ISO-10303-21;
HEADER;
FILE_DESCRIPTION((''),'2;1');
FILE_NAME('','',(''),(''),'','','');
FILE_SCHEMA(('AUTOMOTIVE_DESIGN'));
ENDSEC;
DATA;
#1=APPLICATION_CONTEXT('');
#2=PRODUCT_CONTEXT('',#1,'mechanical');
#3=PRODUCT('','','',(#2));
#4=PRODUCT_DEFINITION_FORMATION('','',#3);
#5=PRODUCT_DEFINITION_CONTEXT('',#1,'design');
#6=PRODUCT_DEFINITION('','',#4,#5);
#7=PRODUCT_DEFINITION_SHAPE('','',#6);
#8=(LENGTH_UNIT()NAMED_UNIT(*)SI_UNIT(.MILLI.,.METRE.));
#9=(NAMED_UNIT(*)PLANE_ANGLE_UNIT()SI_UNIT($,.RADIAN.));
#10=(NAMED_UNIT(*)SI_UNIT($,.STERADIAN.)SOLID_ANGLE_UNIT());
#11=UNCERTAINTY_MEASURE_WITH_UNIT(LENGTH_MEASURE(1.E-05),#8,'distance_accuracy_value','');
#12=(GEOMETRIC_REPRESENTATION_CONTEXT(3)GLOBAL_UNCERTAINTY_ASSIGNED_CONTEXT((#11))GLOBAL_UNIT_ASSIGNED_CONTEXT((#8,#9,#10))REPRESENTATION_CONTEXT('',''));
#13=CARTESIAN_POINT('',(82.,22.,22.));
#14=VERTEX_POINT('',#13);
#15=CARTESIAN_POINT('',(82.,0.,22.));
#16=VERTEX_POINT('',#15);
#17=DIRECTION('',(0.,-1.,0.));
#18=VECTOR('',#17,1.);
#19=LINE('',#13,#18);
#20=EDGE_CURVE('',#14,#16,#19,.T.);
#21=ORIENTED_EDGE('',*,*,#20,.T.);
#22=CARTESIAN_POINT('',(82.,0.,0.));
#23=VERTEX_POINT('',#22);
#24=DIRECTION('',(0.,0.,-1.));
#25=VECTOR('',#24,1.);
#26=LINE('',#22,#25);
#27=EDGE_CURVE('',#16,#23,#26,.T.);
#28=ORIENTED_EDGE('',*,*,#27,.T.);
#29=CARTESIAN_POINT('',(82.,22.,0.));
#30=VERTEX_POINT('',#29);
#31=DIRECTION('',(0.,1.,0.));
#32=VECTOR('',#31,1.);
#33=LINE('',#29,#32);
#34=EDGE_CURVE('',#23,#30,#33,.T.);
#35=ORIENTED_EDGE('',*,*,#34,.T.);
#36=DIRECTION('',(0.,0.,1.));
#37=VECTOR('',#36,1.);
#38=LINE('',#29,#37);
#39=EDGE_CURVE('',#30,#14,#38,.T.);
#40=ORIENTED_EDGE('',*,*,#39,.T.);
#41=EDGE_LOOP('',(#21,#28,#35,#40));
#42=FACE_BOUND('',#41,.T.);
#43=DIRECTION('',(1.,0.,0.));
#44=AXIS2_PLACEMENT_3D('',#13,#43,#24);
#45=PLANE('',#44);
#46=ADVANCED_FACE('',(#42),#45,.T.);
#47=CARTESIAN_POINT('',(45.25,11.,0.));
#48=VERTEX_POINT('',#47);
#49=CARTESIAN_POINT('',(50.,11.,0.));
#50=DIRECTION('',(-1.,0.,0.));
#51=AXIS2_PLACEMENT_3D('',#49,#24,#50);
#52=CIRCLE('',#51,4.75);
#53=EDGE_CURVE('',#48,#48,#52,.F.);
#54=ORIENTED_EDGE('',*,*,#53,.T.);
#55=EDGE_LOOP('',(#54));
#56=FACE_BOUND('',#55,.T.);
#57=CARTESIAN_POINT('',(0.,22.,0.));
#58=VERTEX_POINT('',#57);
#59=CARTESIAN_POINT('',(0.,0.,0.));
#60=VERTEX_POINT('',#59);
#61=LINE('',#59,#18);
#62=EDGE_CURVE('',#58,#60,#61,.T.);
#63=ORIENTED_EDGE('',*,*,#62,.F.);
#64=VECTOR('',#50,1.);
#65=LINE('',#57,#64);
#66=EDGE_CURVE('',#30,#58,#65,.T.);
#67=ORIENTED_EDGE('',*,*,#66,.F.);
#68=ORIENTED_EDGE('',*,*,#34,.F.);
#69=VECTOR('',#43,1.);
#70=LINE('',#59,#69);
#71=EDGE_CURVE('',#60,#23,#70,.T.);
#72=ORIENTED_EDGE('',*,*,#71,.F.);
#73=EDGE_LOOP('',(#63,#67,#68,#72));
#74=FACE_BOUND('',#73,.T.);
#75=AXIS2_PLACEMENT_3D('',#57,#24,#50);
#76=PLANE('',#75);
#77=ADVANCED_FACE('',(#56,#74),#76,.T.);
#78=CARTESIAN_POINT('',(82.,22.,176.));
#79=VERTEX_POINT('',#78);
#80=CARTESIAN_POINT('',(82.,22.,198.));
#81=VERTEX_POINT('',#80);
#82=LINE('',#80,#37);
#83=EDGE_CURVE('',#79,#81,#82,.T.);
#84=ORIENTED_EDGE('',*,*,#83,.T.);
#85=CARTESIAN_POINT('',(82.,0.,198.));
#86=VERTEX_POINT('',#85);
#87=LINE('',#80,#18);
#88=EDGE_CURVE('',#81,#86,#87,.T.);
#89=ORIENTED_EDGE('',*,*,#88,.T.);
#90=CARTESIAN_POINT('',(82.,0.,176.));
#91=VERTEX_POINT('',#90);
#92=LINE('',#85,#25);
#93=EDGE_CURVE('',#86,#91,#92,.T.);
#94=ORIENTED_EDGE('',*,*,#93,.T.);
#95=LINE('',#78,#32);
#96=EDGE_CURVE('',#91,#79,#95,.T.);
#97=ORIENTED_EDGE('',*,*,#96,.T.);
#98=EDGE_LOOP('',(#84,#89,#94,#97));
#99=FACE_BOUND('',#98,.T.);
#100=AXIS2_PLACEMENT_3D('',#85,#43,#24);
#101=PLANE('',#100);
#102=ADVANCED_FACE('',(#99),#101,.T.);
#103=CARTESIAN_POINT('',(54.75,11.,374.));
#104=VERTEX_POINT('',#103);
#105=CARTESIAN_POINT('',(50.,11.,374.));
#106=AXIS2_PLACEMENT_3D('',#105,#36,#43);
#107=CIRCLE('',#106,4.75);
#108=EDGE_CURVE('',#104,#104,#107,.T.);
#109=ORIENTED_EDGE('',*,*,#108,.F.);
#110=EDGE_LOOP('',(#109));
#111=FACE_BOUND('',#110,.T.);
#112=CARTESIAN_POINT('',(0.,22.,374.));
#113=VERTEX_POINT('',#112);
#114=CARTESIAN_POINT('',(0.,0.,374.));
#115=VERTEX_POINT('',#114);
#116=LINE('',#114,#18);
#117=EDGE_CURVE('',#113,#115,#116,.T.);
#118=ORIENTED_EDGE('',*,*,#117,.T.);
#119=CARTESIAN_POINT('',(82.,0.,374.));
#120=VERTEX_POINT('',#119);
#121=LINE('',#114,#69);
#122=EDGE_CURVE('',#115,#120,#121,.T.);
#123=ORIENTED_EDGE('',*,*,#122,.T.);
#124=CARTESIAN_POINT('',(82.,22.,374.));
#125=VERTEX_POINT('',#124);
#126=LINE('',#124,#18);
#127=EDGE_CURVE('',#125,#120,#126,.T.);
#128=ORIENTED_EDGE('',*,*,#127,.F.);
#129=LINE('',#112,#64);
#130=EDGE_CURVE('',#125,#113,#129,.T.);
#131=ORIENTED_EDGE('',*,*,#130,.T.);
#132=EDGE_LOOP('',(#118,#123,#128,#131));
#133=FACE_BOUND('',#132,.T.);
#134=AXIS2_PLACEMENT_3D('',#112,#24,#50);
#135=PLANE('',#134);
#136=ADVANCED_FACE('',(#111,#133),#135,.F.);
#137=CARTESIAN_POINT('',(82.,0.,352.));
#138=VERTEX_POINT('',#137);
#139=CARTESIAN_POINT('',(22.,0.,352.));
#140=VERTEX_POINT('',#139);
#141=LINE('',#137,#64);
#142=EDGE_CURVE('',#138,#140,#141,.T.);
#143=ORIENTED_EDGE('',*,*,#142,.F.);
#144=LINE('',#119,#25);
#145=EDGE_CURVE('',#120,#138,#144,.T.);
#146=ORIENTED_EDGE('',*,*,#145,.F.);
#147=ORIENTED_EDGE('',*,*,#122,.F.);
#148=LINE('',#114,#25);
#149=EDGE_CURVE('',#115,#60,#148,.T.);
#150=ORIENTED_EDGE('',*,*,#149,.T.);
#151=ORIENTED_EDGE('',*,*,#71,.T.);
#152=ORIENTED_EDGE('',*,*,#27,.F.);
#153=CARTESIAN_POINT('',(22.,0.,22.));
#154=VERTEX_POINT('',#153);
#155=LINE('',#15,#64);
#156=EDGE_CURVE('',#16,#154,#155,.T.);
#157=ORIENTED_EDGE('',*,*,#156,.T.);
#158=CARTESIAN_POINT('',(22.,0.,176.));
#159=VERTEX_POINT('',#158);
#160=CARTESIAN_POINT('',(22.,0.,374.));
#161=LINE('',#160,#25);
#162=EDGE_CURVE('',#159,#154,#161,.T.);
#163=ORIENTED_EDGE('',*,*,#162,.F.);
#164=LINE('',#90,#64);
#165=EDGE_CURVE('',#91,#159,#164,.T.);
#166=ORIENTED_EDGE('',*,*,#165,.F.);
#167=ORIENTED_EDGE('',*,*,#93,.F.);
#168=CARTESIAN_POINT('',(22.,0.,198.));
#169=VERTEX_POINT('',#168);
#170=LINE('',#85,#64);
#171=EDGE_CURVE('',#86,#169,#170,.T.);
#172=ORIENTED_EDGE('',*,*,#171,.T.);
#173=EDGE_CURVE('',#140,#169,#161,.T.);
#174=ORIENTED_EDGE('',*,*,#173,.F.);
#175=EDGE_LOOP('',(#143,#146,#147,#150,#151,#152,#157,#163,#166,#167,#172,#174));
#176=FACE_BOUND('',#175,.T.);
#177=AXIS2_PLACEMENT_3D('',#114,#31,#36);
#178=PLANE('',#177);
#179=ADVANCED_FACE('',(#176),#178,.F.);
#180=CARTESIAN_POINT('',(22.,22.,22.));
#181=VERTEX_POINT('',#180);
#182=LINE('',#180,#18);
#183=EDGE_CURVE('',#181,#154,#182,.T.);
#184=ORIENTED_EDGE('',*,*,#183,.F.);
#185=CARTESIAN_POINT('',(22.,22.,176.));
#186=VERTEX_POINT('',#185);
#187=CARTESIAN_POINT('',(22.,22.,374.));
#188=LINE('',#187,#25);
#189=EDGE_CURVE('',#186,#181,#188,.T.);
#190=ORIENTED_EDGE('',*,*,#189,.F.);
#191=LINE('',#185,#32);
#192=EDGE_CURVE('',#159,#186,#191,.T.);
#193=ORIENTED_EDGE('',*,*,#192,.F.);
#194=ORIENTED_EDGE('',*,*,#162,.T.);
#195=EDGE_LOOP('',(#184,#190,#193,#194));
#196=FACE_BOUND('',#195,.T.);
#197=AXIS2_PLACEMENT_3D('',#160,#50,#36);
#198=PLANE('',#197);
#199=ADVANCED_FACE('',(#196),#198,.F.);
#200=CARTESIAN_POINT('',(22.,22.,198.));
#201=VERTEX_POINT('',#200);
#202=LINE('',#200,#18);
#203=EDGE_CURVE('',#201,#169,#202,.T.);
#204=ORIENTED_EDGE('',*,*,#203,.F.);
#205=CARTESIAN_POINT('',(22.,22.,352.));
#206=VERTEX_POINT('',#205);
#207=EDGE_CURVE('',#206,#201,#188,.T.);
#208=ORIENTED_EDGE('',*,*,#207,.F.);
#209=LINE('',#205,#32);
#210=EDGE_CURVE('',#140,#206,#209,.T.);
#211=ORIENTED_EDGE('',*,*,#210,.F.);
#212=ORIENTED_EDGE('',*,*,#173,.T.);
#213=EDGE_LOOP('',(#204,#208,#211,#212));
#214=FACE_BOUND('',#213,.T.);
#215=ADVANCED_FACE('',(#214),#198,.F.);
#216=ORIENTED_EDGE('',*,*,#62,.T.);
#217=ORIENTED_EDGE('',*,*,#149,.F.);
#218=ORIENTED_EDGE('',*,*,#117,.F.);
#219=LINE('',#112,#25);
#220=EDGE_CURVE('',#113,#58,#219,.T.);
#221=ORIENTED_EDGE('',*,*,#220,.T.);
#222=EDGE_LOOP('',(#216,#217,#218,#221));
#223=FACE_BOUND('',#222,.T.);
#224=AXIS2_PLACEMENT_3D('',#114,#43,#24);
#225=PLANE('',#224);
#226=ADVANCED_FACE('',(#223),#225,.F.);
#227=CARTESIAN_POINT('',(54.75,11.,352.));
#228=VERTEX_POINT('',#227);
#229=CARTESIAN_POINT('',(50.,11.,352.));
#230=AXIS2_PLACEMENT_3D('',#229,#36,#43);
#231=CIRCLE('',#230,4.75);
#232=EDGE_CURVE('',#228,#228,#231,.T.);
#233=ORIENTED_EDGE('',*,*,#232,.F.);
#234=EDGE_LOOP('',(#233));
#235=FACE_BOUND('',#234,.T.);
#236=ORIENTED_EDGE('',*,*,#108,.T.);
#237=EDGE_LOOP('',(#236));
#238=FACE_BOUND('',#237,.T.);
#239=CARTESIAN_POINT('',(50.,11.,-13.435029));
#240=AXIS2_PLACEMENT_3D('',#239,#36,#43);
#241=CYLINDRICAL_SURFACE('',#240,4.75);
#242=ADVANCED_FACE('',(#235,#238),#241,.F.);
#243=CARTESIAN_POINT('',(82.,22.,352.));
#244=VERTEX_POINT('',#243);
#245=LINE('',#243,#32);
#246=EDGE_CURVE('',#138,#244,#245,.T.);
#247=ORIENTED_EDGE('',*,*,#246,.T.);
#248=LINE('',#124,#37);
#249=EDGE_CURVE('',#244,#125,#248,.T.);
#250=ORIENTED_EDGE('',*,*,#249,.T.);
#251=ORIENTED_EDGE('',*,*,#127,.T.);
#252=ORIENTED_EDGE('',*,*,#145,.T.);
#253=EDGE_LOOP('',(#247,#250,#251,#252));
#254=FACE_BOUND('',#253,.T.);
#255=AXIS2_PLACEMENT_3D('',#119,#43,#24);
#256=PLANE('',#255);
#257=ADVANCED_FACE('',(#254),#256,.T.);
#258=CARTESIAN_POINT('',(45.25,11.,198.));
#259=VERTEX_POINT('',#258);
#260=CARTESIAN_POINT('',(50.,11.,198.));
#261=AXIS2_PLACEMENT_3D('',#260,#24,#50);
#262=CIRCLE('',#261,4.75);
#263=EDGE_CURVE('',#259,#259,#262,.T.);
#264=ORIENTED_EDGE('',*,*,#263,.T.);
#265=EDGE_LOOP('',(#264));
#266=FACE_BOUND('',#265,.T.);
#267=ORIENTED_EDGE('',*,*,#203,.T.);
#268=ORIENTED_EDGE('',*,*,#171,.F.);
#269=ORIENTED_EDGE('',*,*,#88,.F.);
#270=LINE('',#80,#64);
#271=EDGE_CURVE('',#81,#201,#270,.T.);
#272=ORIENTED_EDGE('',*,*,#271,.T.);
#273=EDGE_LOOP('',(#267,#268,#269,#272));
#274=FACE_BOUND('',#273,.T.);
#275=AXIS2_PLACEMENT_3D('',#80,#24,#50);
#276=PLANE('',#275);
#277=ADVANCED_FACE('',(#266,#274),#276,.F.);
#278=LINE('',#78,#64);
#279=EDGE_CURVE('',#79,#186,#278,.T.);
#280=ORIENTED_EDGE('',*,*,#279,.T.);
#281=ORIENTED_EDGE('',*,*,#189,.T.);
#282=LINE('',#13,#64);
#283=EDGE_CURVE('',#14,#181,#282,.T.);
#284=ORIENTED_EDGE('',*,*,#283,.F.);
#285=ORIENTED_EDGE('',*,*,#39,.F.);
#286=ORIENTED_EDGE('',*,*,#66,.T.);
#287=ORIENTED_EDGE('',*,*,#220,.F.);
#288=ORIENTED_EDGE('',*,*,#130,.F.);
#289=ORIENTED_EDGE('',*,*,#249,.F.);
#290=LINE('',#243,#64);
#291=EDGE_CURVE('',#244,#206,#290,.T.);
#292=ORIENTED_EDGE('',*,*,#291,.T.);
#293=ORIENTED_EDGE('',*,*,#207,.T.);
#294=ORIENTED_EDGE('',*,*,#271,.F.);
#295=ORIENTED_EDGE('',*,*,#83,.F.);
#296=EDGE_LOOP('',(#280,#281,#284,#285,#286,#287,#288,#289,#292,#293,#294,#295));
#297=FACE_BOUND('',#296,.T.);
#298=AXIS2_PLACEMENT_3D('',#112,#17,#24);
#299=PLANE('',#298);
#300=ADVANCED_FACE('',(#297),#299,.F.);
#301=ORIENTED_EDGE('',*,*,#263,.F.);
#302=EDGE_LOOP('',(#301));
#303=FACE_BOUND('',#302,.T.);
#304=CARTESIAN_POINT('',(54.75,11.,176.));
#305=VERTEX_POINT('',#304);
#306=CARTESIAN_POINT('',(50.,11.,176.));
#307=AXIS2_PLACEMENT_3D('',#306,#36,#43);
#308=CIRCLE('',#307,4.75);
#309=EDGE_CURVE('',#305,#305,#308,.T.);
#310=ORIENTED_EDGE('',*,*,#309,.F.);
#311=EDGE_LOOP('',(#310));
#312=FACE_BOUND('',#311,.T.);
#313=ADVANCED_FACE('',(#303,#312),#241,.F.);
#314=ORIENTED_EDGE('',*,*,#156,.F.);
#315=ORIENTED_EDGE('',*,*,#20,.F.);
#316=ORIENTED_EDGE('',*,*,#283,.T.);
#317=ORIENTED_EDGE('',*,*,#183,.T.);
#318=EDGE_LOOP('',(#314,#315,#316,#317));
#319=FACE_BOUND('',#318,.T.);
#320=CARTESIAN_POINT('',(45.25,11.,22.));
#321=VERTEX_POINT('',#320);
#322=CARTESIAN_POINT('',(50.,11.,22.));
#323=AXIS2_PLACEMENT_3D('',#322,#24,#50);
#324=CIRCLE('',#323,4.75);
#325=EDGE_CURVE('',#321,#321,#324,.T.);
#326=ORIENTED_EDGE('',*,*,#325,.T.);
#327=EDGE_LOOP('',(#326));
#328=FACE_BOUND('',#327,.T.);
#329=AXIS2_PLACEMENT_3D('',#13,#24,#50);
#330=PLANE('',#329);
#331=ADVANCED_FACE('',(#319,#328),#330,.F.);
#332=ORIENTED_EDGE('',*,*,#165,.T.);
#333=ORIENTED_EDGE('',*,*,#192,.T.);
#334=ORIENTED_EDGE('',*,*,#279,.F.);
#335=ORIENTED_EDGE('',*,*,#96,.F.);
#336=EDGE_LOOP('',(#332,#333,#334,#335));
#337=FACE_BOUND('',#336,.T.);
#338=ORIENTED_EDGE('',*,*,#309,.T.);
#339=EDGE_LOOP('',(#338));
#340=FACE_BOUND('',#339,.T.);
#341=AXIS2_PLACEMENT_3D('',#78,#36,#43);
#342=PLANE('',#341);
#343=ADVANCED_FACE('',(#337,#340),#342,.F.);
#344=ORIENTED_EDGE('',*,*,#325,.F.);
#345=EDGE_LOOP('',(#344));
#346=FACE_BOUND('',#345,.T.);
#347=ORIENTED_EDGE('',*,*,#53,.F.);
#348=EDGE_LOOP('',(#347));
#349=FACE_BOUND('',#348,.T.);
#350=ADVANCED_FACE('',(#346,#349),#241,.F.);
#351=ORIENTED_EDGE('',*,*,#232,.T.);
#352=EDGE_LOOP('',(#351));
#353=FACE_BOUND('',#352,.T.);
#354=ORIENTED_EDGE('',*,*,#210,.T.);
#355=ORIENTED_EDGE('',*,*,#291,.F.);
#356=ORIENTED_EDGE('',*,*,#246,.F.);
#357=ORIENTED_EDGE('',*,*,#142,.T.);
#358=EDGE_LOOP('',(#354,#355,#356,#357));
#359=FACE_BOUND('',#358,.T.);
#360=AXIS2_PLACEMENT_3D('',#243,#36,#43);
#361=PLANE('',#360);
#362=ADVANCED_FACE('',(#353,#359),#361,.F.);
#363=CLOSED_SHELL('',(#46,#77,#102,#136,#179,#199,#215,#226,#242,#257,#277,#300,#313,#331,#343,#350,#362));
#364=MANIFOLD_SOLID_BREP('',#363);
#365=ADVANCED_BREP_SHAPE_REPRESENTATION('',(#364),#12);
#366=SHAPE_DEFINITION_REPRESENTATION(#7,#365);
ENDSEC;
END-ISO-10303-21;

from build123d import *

# Parameters (mm, degrees)
ESQUISSE1_W      = 22
ESQUISSE1_H      = 22
EXTRUSION1_DEPTH = 374
ESQUISSE2_W      = 22
ESQUISSE2_H      = 22
EXTRUSION2_DEPTH = 60
ESQUISSE3_R      = 4.75
EXTRUSION3_DEPTH = 374


with BuildPart() as part:
    # Esquisse1 → Extrusion1 (new body)
    with BuildSketch(Plane.XY):
        with Locations((11, 11)):
            Rectangle(ESQUISSE1_W, ESQUISSE1_H)
    extrude(amount=EXTRUSION1_DEPTH)

    # Esquisse2 → Extrusion2 (add)
    with BuildSketch(Plane(origin=(22, 0, 0), x_dir=(0, 0, -1), z_dir=(1, 0, 0))):
        with Locations((-11, 11)):
            Rectangle(ESQUISSE2_W, ESQUISSE2_H)
        with Locations((-363, 11)):
            Rectangle(ESQUISSE2_W, ESQUISSE2_H)
        with Locations((-187, 11)):
            Rectangle(ESQUISSE2_W, ESQUISSE2_H)
    extrude(amount=EXTRUSION2_DEPTH)

    # Esquisse3 → Extrusion3 (cut)
    with BuildSketch(Plane.XY.offset(374)):
        with Locations((50, 11)):
            Circle(ESQUISSE3_R)
    extrude(amount=-EXTRUSION3_DEPTH, mode=Mode.SUBTRACT)


solid = part.part
